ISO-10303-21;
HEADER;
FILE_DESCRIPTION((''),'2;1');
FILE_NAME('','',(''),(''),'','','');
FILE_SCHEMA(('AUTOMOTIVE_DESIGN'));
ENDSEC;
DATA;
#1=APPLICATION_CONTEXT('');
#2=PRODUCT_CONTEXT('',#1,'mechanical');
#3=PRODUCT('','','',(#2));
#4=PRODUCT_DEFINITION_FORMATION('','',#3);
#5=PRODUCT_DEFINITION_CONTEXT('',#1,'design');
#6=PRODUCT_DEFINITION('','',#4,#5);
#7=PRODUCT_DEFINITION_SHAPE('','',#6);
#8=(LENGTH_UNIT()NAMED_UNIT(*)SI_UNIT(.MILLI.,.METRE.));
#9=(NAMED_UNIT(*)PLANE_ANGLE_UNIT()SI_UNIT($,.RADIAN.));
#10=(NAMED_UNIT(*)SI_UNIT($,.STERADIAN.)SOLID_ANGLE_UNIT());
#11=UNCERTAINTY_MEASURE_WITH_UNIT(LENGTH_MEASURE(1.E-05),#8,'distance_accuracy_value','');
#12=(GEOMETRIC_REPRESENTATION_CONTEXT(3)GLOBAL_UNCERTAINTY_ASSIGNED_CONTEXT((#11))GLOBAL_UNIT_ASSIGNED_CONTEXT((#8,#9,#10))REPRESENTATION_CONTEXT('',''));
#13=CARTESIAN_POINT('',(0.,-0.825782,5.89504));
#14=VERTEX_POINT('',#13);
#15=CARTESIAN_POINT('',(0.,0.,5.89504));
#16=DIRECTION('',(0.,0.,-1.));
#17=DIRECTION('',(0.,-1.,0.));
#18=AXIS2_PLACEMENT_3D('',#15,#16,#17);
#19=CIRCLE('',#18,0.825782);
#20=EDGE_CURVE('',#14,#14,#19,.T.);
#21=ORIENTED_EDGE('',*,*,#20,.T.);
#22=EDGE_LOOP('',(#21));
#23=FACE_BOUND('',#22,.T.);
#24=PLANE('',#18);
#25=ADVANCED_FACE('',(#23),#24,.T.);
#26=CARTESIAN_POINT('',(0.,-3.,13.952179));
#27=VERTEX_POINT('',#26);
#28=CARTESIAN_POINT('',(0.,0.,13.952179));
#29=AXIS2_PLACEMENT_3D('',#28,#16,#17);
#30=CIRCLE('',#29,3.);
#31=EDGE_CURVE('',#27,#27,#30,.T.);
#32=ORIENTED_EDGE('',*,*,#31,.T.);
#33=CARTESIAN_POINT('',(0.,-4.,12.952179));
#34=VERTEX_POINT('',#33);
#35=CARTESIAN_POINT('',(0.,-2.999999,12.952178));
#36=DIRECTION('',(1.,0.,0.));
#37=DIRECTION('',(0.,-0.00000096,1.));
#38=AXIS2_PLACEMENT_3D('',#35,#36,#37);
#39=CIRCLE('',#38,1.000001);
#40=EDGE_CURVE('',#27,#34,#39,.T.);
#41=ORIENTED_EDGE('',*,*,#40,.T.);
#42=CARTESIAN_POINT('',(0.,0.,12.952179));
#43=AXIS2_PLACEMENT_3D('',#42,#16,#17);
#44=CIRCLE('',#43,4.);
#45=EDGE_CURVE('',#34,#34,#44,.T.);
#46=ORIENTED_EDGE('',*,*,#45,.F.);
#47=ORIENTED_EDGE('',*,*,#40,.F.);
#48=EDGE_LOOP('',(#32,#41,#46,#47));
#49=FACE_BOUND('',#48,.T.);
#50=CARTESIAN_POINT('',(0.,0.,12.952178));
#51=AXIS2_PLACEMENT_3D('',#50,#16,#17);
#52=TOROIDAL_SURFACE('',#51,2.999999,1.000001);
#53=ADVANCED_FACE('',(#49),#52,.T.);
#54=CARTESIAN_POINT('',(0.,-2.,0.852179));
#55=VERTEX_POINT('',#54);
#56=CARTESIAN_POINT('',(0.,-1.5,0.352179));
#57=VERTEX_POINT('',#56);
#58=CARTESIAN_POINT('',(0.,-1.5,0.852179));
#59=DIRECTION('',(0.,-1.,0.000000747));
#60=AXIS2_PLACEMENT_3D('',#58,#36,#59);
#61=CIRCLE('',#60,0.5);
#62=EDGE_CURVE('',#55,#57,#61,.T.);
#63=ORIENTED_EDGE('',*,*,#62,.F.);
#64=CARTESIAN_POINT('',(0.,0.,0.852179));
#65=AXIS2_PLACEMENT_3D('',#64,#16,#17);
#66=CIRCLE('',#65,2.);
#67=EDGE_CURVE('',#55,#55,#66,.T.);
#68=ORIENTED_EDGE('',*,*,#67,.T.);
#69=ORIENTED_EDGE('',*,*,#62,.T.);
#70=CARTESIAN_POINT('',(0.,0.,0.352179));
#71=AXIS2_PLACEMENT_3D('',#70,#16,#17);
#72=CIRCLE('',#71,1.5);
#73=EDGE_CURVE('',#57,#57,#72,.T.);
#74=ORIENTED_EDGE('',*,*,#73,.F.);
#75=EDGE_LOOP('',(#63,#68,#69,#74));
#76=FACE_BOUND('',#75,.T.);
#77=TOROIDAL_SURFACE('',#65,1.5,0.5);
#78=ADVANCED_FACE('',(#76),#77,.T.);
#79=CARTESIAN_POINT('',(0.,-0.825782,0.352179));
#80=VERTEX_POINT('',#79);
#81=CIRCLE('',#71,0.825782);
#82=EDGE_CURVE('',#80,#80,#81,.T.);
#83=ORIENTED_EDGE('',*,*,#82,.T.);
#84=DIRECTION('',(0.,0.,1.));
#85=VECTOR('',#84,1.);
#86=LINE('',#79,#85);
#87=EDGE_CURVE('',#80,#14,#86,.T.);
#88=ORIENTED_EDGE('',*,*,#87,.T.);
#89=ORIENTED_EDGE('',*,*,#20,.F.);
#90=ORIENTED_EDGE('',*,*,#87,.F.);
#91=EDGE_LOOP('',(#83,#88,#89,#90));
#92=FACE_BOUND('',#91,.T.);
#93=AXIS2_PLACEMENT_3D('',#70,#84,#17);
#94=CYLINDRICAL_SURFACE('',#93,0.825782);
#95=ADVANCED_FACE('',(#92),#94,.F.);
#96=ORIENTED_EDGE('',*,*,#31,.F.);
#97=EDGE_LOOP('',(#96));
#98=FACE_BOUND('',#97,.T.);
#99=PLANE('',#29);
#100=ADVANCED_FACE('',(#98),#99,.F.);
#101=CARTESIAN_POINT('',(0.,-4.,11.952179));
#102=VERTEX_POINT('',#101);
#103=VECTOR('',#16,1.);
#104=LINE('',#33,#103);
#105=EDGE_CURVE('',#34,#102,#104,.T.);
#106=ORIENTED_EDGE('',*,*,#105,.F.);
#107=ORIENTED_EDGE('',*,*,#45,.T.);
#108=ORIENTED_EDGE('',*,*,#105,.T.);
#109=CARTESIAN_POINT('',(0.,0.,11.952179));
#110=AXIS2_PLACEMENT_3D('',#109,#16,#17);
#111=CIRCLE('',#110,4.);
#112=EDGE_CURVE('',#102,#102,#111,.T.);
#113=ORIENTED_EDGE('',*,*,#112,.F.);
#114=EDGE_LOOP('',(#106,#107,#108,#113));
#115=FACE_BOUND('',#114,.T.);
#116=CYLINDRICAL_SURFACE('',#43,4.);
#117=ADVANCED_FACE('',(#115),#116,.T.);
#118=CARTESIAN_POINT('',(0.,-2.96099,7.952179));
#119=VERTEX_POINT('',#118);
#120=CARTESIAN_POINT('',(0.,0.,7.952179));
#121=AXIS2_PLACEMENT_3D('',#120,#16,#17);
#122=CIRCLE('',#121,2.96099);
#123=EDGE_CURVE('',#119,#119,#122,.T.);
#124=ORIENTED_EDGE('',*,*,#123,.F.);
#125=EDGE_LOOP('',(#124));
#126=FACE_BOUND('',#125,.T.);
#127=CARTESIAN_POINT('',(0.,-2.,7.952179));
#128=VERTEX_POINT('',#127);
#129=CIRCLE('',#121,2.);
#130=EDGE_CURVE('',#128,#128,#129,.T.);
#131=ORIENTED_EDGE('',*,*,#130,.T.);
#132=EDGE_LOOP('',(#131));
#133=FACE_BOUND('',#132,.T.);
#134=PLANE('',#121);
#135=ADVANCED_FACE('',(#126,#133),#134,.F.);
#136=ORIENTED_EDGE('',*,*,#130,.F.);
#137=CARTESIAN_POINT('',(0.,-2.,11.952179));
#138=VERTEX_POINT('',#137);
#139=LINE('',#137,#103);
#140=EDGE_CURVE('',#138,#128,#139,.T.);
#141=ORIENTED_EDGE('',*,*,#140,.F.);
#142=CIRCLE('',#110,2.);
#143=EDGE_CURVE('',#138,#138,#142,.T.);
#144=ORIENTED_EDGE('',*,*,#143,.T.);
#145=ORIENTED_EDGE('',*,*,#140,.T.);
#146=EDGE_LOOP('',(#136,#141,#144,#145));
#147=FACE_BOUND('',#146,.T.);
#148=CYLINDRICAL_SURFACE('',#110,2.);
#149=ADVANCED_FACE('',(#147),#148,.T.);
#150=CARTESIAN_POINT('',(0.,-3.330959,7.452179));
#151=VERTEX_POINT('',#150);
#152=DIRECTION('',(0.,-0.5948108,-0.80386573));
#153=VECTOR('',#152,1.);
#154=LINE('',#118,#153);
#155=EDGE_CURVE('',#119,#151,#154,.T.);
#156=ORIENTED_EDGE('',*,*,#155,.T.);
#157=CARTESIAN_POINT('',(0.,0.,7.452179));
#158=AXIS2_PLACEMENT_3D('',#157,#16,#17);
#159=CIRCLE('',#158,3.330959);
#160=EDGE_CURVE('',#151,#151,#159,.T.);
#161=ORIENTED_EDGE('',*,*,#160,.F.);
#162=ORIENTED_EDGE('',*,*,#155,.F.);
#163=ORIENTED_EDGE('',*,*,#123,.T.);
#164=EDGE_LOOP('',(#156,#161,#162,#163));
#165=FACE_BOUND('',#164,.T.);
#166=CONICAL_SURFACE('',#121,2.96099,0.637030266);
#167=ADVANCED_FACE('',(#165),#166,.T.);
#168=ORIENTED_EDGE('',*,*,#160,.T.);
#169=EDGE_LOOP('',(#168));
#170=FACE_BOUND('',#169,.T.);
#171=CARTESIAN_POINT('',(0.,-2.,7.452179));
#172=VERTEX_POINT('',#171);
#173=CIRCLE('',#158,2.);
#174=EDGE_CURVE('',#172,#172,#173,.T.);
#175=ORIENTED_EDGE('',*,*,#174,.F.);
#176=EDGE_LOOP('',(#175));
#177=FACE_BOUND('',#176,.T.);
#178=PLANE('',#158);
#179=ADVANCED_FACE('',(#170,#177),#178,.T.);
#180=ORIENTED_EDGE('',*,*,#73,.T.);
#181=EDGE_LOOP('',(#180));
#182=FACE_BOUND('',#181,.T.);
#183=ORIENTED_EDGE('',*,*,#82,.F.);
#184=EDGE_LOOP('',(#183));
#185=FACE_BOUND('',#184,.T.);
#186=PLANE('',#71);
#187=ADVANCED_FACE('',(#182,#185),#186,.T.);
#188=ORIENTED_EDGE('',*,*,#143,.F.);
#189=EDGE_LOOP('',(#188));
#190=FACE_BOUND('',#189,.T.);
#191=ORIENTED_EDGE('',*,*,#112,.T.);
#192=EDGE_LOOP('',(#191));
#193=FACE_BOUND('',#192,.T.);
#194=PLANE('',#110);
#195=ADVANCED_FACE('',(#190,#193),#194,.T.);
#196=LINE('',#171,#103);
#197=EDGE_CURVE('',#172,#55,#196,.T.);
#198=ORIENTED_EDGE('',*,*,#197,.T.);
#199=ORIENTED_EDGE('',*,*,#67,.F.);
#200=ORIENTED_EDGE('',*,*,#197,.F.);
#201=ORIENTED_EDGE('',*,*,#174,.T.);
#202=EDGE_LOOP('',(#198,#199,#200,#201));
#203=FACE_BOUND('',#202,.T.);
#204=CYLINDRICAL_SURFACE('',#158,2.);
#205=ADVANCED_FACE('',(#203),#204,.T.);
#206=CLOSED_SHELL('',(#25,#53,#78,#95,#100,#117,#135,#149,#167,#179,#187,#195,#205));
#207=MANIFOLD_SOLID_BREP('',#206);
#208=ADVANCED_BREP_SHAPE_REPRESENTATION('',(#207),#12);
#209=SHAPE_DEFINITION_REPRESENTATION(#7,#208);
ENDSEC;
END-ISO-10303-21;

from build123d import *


with BuildPart() as f1:
    # F0 (on Right) → F1 (revolve)
    with BuildSketch(Plane.YZ):
        with BuildLine():
            Line((0, 5.89504), (0, 13.952179))
            Line((0, 13.952179), (-3, 13.952179))
            ThreePointArc((-3, 13.952179), (-3.707107, 13.659285), (-4, 12.952179))
            Line((-4, 12.952179), (-4, 11.952179))
            Line((-4, 11.952179), (-2, 11.952179))
            Line((-2, 11.952179), (-2, 7.952179))
            Line((-2, 7.952179), (-2.96099, 7.952179))
            Line((-2.96099, 7.952179), (-3.330959, 7.452179))
            Line((-3.330959, 7.452179), (-2, 7.452179))
            Line((-2, 7.452179), (-2, 0.852179))
            ThreePointArc((-2, 0.852179), (-1.853553, 0.498625), (-1.5, 0.352179))
            Line((-1.5, 0.352179), (-0.825782, 0.352179))
            Line((-0.825782, 0.352179), (-0.825782, 5.89504))
            Line((-0.825782, 5.89504), (0, 5.89504))
        make_face()
    revolve(axis=Axis((0, 0, 9.923609), (0, 0, -1)))


solid = f1.part
